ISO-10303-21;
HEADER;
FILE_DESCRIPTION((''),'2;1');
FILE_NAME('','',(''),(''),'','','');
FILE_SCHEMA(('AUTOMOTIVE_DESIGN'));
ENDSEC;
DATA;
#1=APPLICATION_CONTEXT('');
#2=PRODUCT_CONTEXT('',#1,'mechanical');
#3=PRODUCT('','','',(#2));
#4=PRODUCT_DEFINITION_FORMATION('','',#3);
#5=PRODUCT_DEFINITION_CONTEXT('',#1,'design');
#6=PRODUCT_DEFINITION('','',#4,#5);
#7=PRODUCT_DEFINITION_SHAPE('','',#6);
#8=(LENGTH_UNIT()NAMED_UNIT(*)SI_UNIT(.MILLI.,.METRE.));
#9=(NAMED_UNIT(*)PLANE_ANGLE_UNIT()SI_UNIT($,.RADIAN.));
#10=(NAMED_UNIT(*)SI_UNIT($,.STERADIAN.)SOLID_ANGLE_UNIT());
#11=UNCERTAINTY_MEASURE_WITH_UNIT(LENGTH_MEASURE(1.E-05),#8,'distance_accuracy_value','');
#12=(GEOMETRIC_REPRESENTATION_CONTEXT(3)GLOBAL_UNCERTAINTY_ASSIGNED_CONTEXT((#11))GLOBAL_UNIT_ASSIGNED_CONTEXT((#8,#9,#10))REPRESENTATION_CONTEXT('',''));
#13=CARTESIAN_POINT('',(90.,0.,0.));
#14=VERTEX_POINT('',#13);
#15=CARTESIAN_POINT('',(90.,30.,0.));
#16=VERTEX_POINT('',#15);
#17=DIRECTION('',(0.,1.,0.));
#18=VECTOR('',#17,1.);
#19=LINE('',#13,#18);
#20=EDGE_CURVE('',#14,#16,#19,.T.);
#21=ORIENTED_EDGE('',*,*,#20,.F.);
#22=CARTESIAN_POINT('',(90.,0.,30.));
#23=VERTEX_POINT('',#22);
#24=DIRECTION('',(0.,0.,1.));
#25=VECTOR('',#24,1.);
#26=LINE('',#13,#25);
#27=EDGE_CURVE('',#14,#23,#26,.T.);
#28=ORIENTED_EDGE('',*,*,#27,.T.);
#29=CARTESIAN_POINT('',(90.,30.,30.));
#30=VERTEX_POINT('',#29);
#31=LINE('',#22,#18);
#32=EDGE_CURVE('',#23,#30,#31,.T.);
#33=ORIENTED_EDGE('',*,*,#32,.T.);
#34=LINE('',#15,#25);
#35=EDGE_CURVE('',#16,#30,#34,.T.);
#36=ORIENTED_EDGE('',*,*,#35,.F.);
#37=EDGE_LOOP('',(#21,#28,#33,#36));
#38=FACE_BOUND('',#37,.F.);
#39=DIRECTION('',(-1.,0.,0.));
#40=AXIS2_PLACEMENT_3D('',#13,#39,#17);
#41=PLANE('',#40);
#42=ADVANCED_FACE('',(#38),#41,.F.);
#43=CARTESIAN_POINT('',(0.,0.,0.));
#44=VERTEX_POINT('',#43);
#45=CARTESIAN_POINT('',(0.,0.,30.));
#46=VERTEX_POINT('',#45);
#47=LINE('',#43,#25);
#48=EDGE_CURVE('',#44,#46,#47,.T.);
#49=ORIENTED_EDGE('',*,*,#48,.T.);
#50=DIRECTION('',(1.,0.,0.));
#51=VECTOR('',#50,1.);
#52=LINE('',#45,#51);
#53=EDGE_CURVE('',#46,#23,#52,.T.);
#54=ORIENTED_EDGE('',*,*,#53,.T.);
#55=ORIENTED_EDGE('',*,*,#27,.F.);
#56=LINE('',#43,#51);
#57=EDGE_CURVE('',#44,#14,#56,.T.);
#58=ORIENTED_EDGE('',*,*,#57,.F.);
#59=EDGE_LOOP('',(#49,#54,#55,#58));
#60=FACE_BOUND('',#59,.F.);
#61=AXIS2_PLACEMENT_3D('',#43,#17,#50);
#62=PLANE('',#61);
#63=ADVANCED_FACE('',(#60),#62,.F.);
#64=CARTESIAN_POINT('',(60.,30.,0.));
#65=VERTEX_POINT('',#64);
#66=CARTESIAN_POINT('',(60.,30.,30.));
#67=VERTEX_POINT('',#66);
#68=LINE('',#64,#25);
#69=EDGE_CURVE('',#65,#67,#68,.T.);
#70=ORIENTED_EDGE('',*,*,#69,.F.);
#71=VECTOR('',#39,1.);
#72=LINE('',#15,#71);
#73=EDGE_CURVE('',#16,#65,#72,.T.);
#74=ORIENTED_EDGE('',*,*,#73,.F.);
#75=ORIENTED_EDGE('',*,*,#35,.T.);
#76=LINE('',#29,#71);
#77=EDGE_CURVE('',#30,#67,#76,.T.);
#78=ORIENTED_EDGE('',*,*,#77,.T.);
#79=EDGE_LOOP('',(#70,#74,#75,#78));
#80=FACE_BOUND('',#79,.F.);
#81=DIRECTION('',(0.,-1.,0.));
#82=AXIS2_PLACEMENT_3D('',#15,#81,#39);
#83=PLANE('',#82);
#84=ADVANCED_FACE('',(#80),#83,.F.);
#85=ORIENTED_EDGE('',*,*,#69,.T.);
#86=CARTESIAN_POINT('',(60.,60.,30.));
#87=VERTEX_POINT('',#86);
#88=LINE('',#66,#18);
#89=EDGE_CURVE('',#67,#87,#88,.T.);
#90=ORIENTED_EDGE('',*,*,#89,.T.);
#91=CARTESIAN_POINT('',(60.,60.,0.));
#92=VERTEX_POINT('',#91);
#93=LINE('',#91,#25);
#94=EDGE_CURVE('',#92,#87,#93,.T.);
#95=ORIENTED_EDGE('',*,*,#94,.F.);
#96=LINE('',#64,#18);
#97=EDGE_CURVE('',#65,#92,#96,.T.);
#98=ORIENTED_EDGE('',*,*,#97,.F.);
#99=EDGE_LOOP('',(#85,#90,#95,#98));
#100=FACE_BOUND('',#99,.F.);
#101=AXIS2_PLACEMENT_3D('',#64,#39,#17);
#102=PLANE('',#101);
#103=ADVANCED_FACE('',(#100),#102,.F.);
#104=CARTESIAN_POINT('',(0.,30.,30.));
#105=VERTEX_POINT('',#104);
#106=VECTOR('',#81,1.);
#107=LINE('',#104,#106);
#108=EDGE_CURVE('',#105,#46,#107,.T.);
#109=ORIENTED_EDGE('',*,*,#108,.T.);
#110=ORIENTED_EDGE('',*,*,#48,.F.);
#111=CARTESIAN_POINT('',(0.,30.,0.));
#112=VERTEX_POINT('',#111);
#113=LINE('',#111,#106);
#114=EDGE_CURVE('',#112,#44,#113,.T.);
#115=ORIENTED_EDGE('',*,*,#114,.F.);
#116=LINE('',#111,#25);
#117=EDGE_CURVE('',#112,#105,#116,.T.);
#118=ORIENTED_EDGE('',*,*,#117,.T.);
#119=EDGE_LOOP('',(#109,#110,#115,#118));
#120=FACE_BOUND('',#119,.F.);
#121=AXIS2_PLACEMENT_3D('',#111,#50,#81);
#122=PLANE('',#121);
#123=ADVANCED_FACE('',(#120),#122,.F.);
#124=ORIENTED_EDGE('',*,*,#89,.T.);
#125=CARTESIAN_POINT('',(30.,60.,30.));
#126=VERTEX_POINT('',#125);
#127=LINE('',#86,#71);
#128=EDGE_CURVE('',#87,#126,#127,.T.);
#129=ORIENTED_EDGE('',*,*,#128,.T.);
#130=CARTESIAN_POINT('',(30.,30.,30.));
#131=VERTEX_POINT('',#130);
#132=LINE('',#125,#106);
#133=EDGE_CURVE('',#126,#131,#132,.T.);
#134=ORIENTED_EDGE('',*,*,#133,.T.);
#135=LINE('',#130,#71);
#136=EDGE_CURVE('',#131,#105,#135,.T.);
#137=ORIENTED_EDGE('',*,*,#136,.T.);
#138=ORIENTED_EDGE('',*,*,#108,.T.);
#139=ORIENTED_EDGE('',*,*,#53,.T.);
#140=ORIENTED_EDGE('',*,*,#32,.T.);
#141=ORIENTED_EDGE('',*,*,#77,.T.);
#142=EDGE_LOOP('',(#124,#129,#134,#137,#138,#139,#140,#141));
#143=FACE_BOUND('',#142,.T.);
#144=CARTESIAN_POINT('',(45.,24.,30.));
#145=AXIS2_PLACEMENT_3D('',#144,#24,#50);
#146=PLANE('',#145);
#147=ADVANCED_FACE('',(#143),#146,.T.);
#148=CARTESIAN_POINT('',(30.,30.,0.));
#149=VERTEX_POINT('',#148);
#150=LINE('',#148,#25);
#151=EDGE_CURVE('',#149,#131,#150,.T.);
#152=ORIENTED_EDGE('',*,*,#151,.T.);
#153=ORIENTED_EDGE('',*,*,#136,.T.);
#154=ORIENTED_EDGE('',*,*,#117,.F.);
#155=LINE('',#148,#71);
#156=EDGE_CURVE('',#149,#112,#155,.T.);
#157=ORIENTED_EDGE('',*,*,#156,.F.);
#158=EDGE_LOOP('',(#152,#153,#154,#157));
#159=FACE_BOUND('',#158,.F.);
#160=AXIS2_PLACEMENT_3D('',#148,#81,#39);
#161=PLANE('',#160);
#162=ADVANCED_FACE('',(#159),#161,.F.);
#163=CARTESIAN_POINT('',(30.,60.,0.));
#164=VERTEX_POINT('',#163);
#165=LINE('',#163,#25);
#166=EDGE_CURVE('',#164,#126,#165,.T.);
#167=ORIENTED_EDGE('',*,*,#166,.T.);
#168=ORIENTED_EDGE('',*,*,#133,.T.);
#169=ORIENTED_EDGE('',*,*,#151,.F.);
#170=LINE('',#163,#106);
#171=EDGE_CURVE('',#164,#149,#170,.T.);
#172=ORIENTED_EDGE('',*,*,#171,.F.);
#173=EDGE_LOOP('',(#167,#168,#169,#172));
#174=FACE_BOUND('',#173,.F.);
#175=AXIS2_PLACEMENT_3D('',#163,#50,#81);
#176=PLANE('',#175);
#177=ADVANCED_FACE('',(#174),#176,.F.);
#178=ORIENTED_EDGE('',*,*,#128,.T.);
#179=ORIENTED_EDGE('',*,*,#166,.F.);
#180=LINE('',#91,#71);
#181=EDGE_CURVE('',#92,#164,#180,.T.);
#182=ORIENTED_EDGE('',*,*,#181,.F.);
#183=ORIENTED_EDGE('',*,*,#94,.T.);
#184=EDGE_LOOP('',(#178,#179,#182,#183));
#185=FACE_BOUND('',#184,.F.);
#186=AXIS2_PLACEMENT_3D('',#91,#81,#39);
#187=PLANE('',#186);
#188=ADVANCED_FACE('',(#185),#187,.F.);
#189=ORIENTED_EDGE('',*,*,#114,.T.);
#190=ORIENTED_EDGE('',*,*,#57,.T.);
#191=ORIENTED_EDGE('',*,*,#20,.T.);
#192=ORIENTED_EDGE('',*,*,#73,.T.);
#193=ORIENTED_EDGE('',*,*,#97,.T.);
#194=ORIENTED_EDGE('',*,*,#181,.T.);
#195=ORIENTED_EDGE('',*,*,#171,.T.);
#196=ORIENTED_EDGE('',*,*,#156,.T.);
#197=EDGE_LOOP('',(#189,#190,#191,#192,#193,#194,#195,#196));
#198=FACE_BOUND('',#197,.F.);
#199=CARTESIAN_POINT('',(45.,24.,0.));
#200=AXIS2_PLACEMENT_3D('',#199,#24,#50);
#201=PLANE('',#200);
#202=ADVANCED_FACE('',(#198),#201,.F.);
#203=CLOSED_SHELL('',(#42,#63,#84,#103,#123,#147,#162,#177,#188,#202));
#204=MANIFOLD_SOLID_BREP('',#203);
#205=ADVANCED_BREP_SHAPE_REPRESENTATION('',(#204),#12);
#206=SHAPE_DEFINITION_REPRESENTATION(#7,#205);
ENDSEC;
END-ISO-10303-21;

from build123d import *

# Parameters (mm, degrees)
BOSS_EXTRU_1_DEPTH = 30


with BuildPart() as part:
    # Esquisse1 → Boss.-Extru.1 (new body)
    with BuildSketch(Plane.XY):
        Polygon((0, 0), (90, 0), (90, 30), (60, 30), (60, 60), (30, 60), (30, 30), (0, 30), align=None)
    extrude(amount=BOSS_EXTRU_1_DEPTH)


solid = part.part
